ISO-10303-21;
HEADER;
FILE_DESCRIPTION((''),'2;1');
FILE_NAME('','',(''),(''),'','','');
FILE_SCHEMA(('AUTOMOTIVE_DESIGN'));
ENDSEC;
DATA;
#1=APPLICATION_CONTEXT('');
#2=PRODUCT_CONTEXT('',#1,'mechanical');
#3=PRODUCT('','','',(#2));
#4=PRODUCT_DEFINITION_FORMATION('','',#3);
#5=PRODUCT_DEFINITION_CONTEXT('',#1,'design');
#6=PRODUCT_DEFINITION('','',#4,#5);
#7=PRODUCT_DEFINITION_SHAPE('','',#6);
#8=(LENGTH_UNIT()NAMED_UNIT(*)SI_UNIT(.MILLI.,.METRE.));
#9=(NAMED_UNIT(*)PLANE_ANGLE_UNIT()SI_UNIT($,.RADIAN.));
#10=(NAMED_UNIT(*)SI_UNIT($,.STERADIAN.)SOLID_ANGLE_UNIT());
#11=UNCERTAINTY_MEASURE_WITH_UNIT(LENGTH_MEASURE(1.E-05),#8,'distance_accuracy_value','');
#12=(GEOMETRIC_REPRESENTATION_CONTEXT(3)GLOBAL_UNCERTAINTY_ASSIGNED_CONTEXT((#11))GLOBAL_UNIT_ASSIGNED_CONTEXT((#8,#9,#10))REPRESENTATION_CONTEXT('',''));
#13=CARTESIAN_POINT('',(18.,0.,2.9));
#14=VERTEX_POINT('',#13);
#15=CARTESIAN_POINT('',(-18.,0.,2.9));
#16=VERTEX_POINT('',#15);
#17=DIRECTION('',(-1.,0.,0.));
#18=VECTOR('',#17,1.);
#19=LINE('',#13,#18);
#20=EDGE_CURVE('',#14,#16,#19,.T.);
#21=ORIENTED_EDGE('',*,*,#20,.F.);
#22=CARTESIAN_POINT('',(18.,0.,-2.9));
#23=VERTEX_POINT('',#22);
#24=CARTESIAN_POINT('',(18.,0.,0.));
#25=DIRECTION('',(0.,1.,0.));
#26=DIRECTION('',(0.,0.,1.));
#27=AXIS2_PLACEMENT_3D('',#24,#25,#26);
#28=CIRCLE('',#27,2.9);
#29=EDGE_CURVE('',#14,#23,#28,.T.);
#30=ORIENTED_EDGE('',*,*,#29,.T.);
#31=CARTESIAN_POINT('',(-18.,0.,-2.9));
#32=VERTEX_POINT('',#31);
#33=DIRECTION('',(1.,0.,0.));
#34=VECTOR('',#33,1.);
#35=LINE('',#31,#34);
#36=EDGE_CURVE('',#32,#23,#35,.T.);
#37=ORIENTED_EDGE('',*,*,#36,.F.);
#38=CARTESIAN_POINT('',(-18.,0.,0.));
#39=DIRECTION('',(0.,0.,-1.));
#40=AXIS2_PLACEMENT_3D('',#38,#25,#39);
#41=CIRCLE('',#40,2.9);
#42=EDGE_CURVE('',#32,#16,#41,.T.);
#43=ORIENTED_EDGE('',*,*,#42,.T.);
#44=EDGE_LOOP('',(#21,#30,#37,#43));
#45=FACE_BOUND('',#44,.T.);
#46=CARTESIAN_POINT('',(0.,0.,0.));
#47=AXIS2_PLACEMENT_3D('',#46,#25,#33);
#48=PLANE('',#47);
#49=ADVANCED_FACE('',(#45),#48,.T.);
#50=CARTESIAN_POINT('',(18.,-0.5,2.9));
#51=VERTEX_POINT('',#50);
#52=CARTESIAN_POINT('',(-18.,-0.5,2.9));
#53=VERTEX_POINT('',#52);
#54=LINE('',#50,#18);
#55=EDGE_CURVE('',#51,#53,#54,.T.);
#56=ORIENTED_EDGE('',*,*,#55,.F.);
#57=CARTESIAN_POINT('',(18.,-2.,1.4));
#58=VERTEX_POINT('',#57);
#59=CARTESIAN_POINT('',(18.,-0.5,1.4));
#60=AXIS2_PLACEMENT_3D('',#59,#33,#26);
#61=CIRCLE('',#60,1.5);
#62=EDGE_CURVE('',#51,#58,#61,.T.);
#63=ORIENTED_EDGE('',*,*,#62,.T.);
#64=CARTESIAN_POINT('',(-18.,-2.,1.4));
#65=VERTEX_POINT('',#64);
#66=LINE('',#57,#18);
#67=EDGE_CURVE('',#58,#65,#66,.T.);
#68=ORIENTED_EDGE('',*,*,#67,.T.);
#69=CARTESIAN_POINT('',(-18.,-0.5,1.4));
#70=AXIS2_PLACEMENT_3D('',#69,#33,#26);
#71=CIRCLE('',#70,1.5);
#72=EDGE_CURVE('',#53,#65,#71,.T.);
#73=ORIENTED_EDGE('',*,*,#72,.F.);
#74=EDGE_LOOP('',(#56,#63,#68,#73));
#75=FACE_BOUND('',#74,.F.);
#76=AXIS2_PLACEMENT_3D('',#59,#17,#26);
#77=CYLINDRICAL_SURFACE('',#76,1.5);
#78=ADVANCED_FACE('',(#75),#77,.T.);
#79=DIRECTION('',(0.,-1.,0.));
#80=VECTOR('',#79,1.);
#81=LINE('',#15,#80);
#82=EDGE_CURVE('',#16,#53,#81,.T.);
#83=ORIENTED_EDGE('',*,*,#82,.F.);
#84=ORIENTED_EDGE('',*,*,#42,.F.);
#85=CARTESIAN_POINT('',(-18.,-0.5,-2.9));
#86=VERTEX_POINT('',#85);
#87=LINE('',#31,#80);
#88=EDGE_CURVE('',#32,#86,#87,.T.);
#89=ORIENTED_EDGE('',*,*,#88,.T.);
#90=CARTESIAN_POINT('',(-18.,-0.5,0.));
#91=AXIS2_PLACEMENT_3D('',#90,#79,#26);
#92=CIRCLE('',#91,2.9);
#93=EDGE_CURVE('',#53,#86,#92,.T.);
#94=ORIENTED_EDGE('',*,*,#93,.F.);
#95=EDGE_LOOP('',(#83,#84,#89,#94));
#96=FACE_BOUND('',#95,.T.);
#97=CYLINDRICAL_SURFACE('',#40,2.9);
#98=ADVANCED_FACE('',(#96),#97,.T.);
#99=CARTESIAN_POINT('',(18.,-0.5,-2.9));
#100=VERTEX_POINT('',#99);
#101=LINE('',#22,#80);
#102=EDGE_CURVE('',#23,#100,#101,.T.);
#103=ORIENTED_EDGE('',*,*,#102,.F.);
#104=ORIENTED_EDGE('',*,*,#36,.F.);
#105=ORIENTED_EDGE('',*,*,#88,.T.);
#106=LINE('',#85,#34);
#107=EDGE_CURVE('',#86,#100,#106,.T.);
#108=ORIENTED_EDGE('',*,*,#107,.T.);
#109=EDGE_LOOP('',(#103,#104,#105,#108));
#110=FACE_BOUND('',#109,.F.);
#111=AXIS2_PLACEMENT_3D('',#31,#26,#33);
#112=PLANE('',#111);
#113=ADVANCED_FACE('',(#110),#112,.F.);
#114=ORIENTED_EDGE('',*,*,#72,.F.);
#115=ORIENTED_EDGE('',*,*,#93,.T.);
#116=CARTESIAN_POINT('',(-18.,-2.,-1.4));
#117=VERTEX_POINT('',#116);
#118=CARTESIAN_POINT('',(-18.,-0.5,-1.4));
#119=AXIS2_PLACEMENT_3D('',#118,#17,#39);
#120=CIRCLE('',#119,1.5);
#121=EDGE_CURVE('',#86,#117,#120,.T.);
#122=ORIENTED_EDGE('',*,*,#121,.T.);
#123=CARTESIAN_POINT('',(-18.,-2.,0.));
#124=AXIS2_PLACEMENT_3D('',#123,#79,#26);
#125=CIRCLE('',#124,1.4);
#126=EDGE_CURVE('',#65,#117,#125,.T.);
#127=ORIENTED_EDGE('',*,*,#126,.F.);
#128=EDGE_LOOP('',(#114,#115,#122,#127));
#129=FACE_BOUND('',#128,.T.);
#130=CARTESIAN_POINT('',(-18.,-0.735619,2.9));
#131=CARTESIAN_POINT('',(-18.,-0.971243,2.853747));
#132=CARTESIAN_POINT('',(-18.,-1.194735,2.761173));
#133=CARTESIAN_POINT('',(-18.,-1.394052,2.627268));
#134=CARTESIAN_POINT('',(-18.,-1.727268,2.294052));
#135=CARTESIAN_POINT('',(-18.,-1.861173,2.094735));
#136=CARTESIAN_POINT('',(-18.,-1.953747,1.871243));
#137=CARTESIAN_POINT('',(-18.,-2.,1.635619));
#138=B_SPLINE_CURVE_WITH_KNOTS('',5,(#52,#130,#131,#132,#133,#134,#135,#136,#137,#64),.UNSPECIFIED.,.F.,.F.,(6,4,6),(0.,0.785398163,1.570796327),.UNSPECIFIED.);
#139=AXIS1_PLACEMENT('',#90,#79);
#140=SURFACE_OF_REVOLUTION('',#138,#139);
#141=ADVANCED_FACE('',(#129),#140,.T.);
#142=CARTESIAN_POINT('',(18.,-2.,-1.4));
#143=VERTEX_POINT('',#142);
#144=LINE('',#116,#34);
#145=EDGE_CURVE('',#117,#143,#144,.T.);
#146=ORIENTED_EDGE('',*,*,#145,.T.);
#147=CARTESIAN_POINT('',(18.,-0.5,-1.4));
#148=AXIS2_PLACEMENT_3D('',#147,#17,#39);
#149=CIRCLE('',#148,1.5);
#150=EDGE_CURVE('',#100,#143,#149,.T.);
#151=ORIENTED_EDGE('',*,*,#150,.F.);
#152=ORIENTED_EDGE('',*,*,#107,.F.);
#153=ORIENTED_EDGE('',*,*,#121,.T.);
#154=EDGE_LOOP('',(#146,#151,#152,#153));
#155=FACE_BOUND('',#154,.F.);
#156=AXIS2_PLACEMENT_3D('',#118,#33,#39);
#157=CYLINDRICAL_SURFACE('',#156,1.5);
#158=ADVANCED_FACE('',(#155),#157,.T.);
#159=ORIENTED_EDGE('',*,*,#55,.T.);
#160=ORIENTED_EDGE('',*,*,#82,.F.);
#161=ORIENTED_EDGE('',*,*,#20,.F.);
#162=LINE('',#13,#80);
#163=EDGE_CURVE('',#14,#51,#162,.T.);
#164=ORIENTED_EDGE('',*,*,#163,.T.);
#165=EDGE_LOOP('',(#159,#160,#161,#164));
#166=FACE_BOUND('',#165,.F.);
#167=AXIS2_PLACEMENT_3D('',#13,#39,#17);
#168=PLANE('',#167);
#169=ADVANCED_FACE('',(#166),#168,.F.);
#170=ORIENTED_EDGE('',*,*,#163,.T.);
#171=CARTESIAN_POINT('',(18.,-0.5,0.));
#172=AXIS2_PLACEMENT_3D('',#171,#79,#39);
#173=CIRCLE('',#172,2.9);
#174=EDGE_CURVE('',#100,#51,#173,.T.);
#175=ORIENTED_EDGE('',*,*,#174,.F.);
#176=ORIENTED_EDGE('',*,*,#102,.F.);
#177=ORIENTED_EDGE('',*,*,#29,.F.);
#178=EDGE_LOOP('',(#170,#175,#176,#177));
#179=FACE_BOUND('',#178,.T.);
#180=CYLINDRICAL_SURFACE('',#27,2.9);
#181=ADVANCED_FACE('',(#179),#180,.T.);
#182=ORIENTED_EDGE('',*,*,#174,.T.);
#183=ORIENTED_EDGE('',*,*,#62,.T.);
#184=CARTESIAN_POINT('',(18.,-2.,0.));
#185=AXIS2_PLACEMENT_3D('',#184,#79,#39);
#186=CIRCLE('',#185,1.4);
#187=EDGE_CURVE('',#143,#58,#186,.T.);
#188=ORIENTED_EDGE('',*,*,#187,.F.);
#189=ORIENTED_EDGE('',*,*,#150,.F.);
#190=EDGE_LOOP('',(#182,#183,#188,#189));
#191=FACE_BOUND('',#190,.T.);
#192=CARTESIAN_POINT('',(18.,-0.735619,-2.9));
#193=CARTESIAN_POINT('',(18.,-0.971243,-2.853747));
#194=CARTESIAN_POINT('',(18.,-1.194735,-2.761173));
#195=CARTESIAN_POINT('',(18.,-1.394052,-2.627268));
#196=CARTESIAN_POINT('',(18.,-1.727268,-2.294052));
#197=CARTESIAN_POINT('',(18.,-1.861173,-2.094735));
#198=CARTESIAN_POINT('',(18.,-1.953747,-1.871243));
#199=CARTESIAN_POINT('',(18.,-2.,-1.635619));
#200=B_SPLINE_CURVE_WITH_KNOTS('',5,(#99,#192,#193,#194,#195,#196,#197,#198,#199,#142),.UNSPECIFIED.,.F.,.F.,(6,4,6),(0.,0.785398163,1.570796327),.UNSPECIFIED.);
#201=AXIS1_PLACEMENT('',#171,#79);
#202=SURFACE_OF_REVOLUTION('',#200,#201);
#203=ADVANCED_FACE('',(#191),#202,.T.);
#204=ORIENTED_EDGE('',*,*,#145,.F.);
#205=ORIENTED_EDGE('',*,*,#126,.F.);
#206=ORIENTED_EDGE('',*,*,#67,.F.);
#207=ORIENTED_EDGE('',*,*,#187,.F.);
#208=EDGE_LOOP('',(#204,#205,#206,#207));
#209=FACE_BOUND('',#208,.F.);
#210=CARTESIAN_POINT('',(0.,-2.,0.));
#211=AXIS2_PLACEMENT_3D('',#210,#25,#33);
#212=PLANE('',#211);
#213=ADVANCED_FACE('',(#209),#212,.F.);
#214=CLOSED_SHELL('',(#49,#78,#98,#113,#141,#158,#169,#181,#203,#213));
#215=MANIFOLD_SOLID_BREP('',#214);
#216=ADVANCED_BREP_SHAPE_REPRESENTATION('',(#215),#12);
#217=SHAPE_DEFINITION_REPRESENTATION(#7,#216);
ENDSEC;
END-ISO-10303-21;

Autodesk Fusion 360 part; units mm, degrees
sketch "SKUF" plane through (0, 0, 0) normal (0, 1, 0) x (1, 0, 0)
  line L0 (-18, 2.9) -> (18, 2.9)
  line L1 (18, 2.9) -> (18, -2.9) construction
  line L2 (18, -2.9) -> (-18, -2.9)
  line L3 (-18, -2.9) -> (-18, 2.9) construction
  arc A0 (-18, 2.9) -> (-18, -2.9) centre (-18, 0) ccw
  arc A1 (18, -2.9) -> (18, 2.9) centre (18, 0) ccw
  line L4 (0, 2.9) -> (0, -2.9) construction
  line L5 (-20.9, 0) -> (20.9, 0) construction
  dimension "d1" = 5.8
  dimension "d2" = 36
  dimension "d10" = 41.6
extrude "Basic shape extrusion" add sketch "SKUF" against normal blind 2
fillet "Bottom fillet" radius 1.5 4 edges at (0, -2, -2.9) (20.9, -2, 0) (0, -2, 2.9) (-20.9, -2, 0)
equation "d1 = SKUF_Z"
equation "d2 = SKUF_X"
equation "d3 = -SKUF_Y"
equation "d5 = SKUF_STICK_OUT"
equation "SKUF_X = 36 mm" comment "42mm X slot"
equation "SKUF_Y = 2.00 mm"
equation "SKUF_Z = 5.80 mm" comment "6mm Z slot"
equation "SKUF_SLOT_Y = 0.50 mm" comment "0.5mm Y slot"
equation "SKUF_STICK_OUT = SKUF_Y - SKUF_SLOT_Y"
properties part number "RW_PARAMETRIC_BUMPON"
